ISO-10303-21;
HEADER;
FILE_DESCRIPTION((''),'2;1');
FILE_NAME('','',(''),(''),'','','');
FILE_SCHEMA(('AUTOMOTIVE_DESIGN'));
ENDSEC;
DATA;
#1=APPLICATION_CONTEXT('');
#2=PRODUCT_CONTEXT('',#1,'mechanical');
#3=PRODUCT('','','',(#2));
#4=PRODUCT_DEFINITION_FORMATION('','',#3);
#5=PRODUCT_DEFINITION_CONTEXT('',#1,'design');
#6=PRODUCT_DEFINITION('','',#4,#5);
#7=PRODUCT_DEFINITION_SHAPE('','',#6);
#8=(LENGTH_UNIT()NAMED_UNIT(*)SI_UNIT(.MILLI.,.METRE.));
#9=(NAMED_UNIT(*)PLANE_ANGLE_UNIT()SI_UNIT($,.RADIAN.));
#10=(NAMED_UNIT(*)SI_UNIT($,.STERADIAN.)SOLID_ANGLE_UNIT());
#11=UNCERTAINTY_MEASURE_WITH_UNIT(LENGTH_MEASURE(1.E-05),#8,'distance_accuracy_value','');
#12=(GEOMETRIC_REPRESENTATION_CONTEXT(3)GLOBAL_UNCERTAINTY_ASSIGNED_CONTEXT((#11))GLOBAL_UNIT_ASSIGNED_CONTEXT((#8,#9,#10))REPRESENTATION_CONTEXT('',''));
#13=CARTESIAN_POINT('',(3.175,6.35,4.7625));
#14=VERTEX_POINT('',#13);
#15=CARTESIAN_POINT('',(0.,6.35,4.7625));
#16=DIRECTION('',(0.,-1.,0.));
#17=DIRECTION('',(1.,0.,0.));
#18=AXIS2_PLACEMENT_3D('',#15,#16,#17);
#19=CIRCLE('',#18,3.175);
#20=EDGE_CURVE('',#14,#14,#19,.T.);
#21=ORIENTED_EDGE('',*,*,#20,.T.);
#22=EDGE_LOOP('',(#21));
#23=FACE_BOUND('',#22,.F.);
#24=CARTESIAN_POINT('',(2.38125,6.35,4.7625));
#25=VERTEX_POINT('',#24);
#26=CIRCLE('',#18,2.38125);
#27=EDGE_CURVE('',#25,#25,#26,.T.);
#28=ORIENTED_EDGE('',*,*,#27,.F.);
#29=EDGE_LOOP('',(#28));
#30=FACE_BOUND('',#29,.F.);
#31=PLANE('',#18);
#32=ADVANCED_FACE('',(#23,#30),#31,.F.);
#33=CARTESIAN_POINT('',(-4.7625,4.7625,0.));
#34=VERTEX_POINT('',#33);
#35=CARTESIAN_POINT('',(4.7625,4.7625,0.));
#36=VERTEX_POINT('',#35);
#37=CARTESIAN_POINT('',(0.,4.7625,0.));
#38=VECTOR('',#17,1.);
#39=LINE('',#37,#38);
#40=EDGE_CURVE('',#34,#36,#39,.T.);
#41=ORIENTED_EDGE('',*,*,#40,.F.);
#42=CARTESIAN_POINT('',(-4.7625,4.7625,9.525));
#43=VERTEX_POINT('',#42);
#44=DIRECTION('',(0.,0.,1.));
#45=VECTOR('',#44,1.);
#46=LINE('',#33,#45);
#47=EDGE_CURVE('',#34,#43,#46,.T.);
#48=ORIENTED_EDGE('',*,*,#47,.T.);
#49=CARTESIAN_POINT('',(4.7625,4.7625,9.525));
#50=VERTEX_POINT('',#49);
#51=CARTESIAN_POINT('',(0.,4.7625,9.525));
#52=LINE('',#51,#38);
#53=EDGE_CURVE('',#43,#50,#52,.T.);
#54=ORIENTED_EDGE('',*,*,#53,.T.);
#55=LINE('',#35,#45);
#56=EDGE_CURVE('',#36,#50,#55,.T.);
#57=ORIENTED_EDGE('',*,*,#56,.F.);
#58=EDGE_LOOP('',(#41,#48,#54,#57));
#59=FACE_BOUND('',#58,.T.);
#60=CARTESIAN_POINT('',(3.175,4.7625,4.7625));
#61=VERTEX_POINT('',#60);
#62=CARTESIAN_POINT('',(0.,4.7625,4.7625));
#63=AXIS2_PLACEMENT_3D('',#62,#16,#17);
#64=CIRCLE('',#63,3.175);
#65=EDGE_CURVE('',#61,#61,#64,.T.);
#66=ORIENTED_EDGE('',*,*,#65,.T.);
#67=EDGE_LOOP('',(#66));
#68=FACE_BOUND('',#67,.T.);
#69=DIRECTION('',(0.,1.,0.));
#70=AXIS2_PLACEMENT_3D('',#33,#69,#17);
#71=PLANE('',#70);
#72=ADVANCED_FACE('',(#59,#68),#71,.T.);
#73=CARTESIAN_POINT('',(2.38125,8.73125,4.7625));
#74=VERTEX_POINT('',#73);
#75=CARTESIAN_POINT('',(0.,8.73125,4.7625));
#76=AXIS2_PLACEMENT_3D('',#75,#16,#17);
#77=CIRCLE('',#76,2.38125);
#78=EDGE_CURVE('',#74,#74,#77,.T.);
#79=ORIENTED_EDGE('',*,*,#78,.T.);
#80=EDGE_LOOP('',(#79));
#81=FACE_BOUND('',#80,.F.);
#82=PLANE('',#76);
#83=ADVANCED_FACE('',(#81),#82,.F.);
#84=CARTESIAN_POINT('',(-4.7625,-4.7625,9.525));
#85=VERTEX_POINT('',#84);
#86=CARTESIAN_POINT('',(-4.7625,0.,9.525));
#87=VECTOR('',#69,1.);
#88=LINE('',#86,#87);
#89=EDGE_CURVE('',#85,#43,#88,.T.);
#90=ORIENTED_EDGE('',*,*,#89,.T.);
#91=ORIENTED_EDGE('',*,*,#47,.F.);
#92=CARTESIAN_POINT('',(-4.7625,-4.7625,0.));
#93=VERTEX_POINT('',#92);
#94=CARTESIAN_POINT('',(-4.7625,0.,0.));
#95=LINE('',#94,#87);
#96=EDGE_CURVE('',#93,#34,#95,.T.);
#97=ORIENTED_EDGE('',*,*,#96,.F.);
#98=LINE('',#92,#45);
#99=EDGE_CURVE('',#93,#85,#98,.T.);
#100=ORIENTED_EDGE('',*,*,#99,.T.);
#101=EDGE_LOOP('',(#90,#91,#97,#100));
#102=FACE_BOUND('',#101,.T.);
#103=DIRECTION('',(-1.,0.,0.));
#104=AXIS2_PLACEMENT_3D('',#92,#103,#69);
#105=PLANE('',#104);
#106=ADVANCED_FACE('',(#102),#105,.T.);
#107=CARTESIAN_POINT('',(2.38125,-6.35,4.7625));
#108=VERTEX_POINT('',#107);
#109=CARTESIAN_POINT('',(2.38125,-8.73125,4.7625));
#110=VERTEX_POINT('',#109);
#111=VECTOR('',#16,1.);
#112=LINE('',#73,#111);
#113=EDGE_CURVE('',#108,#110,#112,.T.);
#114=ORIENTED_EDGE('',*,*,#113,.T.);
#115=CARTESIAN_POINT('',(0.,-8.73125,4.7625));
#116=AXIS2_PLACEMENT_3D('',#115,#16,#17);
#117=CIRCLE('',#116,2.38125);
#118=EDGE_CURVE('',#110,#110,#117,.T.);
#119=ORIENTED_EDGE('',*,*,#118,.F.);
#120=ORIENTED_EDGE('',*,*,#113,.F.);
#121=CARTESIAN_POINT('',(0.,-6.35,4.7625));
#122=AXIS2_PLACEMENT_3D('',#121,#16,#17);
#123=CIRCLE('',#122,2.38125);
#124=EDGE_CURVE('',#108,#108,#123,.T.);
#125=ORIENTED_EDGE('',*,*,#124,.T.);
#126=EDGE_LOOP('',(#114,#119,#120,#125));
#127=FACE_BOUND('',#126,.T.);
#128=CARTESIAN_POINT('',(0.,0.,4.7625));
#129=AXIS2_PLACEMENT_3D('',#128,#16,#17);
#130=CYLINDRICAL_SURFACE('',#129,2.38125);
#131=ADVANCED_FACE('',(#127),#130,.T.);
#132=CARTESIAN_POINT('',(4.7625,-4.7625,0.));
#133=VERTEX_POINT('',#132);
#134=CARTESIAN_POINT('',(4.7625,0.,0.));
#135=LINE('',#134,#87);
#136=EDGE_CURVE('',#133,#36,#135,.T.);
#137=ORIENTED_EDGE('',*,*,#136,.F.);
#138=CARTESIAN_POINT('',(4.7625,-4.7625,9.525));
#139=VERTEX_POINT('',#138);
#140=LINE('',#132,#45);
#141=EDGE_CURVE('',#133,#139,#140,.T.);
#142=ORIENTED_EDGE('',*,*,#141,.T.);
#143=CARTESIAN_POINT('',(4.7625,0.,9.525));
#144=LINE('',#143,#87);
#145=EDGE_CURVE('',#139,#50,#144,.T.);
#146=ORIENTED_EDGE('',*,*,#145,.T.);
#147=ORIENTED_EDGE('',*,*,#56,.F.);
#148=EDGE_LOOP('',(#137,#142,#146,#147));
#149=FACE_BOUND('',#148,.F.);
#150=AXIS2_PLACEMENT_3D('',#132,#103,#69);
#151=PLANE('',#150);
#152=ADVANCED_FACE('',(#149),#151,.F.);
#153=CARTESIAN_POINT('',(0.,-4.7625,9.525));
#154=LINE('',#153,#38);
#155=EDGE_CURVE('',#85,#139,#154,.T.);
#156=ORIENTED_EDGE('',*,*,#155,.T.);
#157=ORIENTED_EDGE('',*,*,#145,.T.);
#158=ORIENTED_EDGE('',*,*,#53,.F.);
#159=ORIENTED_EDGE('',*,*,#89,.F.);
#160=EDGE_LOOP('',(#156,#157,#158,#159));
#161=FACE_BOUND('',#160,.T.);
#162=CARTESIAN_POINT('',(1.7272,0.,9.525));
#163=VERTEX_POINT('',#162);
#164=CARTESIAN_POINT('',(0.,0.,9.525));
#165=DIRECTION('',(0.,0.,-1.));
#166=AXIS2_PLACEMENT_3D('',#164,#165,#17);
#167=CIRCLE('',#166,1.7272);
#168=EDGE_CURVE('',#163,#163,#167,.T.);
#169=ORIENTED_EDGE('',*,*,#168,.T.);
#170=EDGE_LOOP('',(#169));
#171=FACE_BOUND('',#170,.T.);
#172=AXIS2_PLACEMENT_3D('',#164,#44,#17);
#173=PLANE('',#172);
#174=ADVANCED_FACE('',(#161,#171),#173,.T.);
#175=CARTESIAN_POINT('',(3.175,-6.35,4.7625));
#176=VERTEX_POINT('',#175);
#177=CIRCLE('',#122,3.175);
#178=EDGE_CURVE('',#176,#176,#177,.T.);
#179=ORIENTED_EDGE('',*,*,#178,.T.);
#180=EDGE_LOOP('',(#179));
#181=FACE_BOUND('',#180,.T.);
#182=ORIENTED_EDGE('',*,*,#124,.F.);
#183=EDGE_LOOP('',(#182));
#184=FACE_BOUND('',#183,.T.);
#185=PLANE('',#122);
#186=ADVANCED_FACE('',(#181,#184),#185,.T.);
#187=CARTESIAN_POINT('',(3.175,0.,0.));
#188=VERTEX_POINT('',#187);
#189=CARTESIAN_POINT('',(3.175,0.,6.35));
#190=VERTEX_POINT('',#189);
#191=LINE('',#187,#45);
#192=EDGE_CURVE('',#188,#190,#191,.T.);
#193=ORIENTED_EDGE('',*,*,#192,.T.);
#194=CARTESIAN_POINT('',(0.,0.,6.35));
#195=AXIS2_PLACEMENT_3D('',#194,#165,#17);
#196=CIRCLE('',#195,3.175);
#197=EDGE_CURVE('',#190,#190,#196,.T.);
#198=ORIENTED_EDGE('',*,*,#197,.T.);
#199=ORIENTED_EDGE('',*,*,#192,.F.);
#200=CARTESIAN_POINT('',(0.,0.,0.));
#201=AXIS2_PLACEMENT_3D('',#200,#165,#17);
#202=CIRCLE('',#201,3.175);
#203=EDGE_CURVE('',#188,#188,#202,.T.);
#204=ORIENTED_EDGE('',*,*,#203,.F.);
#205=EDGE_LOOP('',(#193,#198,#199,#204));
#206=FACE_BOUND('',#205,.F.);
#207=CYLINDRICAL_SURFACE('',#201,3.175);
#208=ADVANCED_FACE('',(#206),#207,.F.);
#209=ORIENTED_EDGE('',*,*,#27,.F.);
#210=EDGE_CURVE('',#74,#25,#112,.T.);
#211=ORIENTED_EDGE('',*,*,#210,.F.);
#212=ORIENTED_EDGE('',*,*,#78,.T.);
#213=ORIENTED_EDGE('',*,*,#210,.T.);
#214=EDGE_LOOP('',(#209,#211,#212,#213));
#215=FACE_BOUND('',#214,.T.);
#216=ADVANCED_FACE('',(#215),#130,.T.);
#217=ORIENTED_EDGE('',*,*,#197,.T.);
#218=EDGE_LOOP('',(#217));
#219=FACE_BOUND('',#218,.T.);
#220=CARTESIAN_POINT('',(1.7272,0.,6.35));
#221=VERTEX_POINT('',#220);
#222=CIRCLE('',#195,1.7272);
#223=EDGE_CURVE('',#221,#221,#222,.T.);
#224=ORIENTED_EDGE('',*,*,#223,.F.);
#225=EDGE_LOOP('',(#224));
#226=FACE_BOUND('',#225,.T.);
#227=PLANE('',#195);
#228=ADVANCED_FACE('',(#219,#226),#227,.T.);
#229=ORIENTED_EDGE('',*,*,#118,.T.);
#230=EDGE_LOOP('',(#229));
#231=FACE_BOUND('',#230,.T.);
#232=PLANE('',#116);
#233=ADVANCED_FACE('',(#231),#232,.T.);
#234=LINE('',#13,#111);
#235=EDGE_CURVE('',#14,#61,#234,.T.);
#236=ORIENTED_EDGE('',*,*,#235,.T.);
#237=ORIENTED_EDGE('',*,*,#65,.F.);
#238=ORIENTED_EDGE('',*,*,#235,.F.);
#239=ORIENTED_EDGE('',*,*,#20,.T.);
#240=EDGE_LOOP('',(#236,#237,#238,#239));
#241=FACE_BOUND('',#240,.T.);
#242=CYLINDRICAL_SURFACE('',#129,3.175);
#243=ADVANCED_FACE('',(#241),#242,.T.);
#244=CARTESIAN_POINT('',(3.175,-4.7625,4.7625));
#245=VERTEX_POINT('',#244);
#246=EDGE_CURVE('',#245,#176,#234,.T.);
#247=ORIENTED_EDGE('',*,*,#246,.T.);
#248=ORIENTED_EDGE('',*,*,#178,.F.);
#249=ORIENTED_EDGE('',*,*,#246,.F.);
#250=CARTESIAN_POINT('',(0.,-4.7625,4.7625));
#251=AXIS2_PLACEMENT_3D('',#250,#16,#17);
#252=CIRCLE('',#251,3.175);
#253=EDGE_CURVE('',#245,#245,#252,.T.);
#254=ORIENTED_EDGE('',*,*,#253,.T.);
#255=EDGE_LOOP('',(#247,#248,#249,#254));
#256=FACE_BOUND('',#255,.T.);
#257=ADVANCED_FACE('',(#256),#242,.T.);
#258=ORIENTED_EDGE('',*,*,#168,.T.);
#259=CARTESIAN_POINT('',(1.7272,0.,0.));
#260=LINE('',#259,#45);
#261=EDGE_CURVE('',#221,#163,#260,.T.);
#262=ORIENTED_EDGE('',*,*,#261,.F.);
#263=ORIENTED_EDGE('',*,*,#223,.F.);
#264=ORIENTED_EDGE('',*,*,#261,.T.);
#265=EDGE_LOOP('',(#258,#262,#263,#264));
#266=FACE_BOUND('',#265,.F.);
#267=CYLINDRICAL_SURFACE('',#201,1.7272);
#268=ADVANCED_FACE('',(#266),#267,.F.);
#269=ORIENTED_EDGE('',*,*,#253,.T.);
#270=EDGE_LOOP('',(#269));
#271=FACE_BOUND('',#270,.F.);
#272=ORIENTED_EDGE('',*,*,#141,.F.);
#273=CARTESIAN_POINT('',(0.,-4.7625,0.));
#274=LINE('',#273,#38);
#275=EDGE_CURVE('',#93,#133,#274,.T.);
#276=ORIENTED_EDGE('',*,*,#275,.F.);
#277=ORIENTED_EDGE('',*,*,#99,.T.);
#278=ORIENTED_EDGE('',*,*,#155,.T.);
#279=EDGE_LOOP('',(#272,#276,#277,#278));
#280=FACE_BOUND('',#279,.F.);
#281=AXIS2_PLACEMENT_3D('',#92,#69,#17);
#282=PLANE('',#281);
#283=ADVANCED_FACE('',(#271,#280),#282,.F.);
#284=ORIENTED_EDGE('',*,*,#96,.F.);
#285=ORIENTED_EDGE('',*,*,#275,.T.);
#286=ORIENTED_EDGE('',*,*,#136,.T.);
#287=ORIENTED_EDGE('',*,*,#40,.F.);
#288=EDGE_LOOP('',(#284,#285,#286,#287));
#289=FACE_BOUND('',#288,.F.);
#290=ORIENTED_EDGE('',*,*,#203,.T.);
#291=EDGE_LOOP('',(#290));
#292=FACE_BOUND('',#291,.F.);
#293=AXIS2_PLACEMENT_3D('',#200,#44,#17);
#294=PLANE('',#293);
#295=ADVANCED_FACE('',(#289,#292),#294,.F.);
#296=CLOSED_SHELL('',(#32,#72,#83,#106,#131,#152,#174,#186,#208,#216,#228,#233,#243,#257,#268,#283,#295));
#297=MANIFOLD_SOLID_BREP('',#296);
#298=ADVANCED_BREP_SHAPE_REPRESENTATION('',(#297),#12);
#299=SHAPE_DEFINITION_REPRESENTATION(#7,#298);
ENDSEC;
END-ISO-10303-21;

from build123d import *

# Parameters (mm, degrees)
F0_W     = 9.525
F0_H     = 9.525
F1_DEPTH = 9.525
F2_R     = 3.175
F3_DEPTH = 6.35
F4_R     = 2.38125
F5_DEPTH = 8.73125
F6_R     = 1.7272
F7_DEPTH = 9.525
F8_R     = 3.175
F9_DEPTH = 6.35


with BuildPart() as f1:
    # F0 (on Top) → F1 (new body)
    with BuildSketch(Plane.XY):
        Rectangle(F0_W, F0_H)
    extrude(amount=F1_DEPTH)

    # F2 (on Front) → F3 (join, symmetric)
    with BuildSketch(Plane.XZ):
        with Locations((0, 4.7625)):
            Circle(F2_R)
    extrude(amount=F3_DEPTH, both=True)

    # F4 (on Front) → F5 (join, symmetric)
    with BuildSketch(Plane.XZ):
        with Locations((0, 4.7625)):
            Circle(F4_R)
    extrude(amount=F5_DEPTH, both=True)

    # F6 (on face) → F7 (cut, through all)
    with BuildSketch(Plane(origin=(0, 0, 0), x_dir=(1, 0, 0), z_dir=(0, 0, -1))):
        Circle(F6_R)
    extrude(amount=-F7_DEPTH, mode=Mode.SUBTRACT)

    # F8 (on face) → F9 (cut)
    with BuildSketch(Plane(origin=(0, 0, 0), x_dir=(1, 0, 0), z_dir=(0, 0, -1))):
        Circle(F8_R)
    extrude(amount=-F9_DEPTH, mode=Mode.SUBTRACT)


solid = f1.part
